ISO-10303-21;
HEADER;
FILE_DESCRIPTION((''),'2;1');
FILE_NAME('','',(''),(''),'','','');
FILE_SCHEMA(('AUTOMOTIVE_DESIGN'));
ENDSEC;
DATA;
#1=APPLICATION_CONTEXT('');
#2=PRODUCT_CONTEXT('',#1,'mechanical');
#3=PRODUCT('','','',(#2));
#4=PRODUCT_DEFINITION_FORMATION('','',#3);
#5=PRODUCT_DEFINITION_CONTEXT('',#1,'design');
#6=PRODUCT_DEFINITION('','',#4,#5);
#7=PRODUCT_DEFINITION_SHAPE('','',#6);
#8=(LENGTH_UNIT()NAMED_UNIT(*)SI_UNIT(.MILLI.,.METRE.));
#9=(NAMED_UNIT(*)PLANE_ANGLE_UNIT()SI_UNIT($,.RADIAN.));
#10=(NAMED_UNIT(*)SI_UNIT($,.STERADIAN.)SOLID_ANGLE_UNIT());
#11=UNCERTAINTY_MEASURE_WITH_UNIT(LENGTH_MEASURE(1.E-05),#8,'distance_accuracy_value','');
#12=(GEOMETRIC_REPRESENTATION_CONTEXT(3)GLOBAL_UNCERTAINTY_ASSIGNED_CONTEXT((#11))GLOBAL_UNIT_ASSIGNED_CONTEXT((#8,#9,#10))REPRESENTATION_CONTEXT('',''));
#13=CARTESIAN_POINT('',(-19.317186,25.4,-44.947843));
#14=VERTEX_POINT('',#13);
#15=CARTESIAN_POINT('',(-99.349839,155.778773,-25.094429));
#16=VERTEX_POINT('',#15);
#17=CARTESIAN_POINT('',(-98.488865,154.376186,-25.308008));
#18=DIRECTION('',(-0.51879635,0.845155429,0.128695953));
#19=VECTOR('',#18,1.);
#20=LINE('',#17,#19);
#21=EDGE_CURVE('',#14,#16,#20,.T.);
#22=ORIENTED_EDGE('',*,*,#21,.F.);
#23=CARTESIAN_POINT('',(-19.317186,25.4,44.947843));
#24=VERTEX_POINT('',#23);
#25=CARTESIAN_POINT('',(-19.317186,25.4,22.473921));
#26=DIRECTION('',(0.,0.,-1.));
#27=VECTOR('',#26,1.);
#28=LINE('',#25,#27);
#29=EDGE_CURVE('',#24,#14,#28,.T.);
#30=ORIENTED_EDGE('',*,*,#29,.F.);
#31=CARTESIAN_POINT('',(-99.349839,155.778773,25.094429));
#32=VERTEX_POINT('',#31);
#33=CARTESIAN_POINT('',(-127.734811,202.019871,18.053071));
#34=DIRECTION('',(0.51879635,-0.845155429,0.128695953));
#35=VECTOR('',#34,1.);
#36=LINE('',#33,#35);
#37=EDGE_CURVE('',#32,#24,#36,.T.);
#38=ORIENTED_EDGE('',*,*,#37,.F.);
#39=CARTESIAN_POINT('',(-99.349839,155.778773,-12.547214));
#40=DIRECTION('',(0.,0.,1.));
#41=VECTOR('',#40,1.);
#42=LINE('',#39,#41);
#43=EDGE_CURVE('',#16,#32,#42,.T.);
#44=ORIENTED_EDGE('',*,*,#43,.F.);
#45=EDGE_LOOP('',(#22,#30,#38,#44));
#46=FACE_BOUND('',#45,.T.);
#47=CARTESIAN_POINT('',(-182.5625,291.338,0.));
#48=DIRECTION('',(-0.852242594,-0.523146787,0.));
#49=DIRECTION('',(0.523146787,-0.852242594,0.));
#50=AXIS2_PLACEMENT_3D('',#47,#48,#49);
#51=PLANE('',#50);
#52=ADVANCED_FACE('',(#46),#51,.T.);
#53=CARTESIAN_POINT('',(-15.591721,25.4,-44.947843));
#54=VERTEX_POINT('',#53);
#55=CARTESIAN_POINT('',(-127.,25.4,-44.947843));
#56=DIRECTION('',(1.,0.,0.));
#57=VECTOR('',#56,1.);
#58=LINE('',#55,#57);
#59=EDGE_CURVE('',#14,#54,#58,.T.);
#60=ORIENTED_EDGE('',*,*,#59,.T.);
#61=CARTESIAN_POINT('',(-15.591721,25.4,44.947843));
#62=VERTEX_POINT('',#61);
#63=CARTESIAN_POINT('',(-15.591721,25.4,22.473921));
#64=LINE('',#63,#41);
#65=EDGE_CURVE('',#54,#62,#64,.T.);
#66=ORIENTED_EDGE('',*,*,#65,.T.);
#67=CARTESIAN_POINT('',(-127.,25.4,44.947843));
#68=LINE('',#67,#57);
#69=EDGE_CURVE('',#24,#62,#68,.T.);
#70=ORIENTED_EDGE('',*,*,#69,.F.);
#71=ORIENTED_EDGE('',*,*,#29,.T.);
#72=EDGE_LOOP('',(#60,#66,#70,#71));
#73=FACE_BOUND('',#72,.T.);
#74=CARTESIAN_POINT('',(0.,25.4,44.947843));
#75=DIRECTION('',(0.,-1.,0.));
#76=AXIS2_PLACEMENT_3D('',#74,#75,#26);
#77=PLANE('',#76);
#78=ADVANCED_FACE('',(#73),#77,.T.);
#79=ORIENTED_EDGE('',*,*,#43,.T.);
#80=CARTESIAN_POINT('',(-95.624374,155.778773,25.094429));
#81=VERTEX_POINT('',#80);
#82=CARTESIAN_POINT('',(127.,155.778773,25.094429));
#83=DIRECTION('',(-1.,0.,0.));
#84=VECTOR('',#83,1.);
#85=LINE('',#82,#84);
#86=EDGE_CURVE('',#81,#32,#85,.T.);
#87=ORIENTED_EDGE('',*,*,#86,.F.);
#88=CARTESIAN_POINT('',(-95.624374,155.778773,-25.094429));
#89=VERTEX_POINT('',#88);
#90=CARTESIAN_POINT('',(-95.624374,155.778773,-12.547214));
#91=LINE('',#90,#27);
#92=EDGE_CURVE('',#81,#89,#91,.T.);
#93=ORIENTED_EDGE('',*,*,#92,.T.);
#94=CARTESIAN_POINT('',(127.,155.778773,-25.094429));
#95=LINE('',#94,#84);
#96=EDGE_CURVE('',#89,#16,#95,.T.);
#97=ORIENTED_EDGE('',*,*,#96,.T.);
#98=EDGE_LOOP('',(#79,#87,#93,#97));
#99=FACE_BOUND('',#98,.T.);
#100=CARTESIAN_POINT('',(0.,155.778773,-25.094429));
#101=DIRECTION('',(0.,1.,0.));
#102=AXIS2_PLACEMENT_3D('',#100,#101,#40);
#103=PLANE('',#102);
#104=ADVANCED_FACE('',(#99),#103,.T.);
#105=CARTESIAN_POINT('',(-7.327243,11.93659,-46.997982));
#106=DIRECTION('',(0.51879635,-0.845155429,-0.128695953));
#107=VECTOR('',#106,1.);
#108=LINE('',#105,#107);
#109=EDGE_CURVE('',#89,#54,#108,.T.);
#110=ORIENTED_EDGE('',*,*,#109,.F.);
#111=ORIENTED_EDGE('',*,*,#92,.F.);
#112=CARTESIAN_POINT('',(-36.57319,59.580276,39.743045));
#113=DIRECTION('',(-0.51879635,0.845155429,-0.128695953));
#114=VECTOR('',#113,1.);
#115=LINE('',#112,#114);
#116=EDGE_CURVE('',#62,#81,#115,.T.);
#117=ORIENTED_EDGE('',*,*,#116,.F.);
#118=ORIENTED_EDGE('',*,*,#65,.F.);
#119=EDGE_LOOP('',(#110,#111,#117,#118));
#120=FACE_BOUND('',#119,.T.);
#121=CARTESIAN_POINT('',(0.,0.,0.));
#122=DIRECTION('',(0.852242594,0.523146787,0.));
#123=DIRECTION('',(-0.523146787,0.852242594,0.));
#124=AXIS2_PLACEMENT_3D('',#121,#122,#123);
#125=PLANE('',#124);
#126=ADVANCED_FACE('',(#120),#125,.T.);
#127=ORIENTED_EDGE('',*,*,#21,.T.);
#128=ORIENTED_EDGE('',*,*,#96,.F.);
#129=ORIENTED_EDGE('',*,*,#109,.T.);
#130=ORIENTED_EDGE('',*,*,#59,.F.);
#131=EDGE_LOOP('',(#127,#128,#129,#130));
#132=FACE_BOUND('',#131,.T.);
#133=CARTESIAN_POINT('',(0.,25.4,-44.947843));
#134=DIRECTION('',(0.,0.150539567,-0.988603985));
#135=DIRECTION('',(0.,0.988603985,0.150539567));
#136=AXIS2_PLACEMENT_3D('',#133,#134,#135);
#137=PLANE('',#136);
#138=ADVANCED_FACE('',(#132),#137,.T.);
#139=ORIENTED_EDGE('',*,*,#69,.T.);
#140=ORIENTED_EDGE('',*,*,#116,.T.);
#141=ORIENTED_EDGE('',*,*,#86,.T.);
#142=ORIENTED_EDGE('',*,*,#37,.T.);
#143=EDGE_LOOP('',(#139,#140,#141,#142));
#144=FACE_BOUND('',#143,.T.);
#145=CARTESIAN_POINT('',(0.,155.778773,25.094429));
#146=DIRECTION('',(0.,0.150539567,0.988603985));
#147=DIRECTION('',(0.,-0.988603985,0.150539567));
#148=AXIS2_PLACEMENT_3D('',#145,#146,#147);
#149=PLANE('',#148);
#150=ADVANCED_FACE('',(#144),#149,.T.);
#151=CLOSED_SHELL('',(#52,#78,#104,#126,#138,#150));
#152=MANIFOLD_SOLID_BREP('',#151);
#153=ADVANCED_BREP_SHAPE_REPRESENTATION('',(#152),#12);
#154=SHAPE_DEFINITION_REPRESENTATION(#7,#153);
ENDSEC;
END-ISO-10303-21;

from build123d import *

# Parameters (mm, degrees)
F1_DEPTH = 127
F3_DEPTH = 50.8


with BuildPart() as f1:
    # F0 (on Right) → F1 (new body, symmetric)
    with BuildSketch(Plane.YZ):
        Polygon((155.7787731835, 25.0944288613), (25.4, 44.9478426982), (25.4, -44.9478426982), (155.7787731835, -25.0944288613), align=None)
    extrude(amount=F1_DEPTH, both=True)

    # F2 (on Top) → F3 (intersect, symmetric)
    with BuildSketch(Plane.XY):
        Polygon((-178.8370349486, 291.338), (-182.5625, 291.338), (-3.7254650514, 0), (0, 0), align=None)
    extrude(amount=F3_DEPTH, both=True, mode=Mode.INTERSECT)


solid = f1.part
